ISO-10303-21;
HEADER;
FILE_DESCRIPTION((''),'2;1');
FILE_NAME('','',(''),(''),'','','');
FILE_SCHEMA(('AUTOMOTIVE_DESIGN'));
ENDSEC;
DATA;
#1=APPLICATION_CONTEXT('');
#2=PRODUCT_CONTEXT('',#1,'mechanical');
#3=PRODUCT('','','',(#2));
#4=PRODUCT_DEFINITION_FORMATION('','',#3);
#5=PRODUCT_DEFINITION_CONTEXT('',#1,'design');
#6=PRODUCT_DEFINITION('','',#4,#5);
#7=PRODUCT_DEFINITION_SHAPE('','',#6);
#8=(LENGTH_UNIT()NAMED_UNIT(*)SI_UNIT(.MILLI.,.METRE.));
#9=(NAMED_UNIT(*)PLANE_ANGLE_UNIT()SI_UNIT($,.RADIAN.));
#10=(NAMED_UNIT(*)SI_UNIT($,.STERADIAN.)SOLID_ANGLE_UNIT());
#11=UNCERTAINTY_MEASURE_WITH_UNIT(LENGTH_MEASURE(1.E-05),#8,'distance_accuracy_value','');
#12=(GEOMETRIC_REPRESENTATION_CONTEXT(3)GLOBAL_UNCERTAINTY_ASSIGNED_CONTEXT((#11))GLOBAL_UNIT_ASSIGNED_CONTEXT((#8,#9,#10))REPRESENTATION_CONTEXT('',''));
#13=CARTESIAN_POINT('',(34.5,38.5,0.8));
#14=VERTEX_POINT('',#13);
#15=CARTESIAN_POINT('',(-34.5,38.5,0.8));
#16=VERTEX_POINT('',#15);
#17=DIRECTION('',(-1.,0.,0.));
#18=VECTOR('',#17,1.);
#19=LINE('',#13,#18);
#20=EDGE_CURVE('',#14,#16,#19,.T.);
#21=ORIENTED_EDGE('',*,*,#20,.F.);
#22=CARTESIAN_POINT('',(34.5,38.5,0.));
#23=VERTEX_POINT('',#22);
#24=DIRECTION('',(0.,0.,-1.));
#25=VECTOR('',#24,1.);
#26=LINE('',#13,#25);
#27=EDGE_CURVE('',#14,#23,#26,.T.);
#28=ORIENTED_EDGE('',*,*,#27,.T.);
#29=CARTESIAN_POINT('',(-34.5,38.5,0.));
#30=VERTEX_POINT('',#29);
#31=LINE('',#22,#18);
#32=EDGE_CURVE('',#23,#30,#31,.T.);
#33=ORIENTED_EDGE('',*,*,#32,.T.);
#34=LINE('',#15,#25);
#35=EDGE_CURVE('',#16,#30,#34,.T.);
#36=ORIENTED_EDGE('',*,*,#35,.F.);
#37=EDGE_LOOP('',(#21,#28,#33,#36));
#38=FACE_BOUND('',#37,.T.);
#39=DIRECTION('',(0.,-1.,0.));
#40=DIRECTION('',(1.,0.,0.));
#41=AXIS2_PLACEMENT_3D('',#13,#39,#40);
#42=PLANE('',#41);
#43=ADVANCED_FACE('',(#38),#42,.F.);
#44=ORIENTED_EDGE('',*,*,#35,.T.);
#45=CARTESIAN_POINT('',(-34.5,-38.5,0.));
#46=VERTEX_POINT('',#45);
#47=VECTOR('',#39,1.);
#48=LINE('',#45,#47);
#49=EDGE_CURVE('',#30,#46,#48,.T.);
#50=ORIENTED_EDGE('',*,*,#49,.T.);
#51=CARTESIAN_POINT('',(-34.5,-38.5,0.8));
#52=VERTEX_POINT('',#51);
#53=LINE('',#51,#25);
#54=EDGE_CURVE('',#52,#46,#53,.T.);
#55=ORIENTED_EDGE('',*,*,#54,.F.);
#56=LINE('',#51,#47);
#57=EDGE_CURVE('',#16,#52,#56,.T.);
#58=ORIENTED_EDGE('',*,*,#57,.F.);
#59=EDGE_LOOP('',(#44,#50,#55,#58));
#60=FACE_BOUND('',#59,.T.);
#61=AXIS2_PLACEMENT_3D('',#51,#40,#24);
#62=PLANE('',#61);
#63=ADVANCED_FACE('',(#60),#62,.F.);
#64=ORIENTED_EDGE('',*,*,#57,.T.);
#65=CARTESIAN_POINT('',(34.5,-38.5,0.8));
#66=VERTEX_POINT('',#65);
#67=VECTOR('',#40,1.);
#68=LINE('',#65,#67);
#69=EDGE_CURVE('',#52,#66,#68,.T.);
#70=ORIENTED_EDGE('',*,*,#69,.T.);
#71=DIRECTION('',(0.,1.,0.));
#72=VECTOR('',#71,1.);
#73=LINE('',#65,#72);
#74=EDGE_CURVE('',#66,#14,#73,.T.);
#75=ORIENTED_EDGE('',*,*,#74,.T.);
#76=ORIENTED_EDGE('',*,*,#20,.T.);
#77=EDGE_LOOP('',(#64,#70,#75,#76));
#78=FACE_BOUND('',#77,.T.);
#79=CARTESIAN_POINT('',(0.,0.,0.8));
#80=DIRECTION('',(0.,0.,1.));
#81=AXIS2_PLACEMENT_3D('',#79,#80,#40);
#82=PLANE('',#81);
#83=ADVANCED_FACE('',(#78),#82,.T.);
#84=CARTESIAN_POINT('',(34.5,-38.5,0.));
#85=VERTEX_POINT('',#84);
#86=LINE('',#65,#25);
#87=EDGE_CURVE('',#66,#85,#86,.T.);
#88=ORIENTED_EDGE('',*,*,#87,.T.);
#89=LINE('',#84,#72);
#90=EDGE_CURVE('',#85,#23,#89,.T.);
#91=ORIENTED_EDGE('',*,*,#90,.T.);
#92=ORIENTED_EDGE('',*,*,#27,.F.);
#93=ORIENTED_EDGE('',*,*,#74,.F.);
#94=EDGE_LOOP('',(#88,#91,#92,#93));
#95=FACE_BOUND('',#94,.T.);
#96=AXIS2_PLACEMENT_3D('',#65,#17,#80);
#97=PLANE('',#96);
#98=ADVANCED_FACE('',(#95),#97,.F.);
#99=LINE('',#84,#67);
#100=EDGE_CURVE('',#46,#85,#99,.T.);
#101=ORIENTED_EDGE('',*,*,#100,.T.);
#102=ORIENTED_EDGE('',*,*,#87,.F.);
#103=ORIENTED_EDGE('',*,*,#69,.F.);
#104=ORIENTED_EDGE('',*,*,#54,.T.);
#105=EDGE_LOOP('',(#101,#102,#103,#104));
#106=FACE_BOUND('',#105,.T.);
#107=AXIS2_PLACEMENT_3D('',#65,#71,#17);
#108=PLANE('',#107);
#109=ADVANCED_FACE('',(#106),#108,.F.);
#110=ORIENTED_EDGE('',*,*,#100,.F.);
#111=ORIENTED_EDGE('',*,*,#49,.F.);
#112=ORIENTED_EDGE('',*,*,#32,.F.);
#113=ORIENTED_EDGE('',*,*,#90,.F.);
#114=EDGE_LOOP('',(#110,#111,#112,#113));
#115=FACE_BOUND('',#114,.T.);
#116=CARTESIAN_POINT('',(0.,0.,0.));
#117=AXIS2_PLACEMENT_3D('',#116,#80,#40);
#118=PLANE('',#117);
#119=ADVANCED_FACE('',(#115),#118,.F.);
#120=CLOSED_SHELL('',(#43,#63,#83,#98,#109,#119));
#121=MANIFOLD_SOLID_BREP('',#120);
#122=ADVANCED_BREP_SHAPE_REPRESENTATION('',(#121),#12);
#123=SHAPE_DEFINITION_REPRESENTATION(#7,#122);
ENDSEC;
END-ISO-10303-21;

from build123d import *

# Parameters (mm, degrees)
ESBO_O1_W                = 69
ESBO_O1_H                = 77
RESSALTO_EXTRUS_O1_DEPTH = 0.8


with BuildPart() as part:
    # Esboço1 → Ressalto-extrusão1 (new body)
    with BuildSketch(Plane.XY):
        Rectangle(ESBO_O1_W, ESBO_O1_H)
    extrude(amount=RESSALTO_EXTRUS_O1_DEPTH)


solid = part.part
